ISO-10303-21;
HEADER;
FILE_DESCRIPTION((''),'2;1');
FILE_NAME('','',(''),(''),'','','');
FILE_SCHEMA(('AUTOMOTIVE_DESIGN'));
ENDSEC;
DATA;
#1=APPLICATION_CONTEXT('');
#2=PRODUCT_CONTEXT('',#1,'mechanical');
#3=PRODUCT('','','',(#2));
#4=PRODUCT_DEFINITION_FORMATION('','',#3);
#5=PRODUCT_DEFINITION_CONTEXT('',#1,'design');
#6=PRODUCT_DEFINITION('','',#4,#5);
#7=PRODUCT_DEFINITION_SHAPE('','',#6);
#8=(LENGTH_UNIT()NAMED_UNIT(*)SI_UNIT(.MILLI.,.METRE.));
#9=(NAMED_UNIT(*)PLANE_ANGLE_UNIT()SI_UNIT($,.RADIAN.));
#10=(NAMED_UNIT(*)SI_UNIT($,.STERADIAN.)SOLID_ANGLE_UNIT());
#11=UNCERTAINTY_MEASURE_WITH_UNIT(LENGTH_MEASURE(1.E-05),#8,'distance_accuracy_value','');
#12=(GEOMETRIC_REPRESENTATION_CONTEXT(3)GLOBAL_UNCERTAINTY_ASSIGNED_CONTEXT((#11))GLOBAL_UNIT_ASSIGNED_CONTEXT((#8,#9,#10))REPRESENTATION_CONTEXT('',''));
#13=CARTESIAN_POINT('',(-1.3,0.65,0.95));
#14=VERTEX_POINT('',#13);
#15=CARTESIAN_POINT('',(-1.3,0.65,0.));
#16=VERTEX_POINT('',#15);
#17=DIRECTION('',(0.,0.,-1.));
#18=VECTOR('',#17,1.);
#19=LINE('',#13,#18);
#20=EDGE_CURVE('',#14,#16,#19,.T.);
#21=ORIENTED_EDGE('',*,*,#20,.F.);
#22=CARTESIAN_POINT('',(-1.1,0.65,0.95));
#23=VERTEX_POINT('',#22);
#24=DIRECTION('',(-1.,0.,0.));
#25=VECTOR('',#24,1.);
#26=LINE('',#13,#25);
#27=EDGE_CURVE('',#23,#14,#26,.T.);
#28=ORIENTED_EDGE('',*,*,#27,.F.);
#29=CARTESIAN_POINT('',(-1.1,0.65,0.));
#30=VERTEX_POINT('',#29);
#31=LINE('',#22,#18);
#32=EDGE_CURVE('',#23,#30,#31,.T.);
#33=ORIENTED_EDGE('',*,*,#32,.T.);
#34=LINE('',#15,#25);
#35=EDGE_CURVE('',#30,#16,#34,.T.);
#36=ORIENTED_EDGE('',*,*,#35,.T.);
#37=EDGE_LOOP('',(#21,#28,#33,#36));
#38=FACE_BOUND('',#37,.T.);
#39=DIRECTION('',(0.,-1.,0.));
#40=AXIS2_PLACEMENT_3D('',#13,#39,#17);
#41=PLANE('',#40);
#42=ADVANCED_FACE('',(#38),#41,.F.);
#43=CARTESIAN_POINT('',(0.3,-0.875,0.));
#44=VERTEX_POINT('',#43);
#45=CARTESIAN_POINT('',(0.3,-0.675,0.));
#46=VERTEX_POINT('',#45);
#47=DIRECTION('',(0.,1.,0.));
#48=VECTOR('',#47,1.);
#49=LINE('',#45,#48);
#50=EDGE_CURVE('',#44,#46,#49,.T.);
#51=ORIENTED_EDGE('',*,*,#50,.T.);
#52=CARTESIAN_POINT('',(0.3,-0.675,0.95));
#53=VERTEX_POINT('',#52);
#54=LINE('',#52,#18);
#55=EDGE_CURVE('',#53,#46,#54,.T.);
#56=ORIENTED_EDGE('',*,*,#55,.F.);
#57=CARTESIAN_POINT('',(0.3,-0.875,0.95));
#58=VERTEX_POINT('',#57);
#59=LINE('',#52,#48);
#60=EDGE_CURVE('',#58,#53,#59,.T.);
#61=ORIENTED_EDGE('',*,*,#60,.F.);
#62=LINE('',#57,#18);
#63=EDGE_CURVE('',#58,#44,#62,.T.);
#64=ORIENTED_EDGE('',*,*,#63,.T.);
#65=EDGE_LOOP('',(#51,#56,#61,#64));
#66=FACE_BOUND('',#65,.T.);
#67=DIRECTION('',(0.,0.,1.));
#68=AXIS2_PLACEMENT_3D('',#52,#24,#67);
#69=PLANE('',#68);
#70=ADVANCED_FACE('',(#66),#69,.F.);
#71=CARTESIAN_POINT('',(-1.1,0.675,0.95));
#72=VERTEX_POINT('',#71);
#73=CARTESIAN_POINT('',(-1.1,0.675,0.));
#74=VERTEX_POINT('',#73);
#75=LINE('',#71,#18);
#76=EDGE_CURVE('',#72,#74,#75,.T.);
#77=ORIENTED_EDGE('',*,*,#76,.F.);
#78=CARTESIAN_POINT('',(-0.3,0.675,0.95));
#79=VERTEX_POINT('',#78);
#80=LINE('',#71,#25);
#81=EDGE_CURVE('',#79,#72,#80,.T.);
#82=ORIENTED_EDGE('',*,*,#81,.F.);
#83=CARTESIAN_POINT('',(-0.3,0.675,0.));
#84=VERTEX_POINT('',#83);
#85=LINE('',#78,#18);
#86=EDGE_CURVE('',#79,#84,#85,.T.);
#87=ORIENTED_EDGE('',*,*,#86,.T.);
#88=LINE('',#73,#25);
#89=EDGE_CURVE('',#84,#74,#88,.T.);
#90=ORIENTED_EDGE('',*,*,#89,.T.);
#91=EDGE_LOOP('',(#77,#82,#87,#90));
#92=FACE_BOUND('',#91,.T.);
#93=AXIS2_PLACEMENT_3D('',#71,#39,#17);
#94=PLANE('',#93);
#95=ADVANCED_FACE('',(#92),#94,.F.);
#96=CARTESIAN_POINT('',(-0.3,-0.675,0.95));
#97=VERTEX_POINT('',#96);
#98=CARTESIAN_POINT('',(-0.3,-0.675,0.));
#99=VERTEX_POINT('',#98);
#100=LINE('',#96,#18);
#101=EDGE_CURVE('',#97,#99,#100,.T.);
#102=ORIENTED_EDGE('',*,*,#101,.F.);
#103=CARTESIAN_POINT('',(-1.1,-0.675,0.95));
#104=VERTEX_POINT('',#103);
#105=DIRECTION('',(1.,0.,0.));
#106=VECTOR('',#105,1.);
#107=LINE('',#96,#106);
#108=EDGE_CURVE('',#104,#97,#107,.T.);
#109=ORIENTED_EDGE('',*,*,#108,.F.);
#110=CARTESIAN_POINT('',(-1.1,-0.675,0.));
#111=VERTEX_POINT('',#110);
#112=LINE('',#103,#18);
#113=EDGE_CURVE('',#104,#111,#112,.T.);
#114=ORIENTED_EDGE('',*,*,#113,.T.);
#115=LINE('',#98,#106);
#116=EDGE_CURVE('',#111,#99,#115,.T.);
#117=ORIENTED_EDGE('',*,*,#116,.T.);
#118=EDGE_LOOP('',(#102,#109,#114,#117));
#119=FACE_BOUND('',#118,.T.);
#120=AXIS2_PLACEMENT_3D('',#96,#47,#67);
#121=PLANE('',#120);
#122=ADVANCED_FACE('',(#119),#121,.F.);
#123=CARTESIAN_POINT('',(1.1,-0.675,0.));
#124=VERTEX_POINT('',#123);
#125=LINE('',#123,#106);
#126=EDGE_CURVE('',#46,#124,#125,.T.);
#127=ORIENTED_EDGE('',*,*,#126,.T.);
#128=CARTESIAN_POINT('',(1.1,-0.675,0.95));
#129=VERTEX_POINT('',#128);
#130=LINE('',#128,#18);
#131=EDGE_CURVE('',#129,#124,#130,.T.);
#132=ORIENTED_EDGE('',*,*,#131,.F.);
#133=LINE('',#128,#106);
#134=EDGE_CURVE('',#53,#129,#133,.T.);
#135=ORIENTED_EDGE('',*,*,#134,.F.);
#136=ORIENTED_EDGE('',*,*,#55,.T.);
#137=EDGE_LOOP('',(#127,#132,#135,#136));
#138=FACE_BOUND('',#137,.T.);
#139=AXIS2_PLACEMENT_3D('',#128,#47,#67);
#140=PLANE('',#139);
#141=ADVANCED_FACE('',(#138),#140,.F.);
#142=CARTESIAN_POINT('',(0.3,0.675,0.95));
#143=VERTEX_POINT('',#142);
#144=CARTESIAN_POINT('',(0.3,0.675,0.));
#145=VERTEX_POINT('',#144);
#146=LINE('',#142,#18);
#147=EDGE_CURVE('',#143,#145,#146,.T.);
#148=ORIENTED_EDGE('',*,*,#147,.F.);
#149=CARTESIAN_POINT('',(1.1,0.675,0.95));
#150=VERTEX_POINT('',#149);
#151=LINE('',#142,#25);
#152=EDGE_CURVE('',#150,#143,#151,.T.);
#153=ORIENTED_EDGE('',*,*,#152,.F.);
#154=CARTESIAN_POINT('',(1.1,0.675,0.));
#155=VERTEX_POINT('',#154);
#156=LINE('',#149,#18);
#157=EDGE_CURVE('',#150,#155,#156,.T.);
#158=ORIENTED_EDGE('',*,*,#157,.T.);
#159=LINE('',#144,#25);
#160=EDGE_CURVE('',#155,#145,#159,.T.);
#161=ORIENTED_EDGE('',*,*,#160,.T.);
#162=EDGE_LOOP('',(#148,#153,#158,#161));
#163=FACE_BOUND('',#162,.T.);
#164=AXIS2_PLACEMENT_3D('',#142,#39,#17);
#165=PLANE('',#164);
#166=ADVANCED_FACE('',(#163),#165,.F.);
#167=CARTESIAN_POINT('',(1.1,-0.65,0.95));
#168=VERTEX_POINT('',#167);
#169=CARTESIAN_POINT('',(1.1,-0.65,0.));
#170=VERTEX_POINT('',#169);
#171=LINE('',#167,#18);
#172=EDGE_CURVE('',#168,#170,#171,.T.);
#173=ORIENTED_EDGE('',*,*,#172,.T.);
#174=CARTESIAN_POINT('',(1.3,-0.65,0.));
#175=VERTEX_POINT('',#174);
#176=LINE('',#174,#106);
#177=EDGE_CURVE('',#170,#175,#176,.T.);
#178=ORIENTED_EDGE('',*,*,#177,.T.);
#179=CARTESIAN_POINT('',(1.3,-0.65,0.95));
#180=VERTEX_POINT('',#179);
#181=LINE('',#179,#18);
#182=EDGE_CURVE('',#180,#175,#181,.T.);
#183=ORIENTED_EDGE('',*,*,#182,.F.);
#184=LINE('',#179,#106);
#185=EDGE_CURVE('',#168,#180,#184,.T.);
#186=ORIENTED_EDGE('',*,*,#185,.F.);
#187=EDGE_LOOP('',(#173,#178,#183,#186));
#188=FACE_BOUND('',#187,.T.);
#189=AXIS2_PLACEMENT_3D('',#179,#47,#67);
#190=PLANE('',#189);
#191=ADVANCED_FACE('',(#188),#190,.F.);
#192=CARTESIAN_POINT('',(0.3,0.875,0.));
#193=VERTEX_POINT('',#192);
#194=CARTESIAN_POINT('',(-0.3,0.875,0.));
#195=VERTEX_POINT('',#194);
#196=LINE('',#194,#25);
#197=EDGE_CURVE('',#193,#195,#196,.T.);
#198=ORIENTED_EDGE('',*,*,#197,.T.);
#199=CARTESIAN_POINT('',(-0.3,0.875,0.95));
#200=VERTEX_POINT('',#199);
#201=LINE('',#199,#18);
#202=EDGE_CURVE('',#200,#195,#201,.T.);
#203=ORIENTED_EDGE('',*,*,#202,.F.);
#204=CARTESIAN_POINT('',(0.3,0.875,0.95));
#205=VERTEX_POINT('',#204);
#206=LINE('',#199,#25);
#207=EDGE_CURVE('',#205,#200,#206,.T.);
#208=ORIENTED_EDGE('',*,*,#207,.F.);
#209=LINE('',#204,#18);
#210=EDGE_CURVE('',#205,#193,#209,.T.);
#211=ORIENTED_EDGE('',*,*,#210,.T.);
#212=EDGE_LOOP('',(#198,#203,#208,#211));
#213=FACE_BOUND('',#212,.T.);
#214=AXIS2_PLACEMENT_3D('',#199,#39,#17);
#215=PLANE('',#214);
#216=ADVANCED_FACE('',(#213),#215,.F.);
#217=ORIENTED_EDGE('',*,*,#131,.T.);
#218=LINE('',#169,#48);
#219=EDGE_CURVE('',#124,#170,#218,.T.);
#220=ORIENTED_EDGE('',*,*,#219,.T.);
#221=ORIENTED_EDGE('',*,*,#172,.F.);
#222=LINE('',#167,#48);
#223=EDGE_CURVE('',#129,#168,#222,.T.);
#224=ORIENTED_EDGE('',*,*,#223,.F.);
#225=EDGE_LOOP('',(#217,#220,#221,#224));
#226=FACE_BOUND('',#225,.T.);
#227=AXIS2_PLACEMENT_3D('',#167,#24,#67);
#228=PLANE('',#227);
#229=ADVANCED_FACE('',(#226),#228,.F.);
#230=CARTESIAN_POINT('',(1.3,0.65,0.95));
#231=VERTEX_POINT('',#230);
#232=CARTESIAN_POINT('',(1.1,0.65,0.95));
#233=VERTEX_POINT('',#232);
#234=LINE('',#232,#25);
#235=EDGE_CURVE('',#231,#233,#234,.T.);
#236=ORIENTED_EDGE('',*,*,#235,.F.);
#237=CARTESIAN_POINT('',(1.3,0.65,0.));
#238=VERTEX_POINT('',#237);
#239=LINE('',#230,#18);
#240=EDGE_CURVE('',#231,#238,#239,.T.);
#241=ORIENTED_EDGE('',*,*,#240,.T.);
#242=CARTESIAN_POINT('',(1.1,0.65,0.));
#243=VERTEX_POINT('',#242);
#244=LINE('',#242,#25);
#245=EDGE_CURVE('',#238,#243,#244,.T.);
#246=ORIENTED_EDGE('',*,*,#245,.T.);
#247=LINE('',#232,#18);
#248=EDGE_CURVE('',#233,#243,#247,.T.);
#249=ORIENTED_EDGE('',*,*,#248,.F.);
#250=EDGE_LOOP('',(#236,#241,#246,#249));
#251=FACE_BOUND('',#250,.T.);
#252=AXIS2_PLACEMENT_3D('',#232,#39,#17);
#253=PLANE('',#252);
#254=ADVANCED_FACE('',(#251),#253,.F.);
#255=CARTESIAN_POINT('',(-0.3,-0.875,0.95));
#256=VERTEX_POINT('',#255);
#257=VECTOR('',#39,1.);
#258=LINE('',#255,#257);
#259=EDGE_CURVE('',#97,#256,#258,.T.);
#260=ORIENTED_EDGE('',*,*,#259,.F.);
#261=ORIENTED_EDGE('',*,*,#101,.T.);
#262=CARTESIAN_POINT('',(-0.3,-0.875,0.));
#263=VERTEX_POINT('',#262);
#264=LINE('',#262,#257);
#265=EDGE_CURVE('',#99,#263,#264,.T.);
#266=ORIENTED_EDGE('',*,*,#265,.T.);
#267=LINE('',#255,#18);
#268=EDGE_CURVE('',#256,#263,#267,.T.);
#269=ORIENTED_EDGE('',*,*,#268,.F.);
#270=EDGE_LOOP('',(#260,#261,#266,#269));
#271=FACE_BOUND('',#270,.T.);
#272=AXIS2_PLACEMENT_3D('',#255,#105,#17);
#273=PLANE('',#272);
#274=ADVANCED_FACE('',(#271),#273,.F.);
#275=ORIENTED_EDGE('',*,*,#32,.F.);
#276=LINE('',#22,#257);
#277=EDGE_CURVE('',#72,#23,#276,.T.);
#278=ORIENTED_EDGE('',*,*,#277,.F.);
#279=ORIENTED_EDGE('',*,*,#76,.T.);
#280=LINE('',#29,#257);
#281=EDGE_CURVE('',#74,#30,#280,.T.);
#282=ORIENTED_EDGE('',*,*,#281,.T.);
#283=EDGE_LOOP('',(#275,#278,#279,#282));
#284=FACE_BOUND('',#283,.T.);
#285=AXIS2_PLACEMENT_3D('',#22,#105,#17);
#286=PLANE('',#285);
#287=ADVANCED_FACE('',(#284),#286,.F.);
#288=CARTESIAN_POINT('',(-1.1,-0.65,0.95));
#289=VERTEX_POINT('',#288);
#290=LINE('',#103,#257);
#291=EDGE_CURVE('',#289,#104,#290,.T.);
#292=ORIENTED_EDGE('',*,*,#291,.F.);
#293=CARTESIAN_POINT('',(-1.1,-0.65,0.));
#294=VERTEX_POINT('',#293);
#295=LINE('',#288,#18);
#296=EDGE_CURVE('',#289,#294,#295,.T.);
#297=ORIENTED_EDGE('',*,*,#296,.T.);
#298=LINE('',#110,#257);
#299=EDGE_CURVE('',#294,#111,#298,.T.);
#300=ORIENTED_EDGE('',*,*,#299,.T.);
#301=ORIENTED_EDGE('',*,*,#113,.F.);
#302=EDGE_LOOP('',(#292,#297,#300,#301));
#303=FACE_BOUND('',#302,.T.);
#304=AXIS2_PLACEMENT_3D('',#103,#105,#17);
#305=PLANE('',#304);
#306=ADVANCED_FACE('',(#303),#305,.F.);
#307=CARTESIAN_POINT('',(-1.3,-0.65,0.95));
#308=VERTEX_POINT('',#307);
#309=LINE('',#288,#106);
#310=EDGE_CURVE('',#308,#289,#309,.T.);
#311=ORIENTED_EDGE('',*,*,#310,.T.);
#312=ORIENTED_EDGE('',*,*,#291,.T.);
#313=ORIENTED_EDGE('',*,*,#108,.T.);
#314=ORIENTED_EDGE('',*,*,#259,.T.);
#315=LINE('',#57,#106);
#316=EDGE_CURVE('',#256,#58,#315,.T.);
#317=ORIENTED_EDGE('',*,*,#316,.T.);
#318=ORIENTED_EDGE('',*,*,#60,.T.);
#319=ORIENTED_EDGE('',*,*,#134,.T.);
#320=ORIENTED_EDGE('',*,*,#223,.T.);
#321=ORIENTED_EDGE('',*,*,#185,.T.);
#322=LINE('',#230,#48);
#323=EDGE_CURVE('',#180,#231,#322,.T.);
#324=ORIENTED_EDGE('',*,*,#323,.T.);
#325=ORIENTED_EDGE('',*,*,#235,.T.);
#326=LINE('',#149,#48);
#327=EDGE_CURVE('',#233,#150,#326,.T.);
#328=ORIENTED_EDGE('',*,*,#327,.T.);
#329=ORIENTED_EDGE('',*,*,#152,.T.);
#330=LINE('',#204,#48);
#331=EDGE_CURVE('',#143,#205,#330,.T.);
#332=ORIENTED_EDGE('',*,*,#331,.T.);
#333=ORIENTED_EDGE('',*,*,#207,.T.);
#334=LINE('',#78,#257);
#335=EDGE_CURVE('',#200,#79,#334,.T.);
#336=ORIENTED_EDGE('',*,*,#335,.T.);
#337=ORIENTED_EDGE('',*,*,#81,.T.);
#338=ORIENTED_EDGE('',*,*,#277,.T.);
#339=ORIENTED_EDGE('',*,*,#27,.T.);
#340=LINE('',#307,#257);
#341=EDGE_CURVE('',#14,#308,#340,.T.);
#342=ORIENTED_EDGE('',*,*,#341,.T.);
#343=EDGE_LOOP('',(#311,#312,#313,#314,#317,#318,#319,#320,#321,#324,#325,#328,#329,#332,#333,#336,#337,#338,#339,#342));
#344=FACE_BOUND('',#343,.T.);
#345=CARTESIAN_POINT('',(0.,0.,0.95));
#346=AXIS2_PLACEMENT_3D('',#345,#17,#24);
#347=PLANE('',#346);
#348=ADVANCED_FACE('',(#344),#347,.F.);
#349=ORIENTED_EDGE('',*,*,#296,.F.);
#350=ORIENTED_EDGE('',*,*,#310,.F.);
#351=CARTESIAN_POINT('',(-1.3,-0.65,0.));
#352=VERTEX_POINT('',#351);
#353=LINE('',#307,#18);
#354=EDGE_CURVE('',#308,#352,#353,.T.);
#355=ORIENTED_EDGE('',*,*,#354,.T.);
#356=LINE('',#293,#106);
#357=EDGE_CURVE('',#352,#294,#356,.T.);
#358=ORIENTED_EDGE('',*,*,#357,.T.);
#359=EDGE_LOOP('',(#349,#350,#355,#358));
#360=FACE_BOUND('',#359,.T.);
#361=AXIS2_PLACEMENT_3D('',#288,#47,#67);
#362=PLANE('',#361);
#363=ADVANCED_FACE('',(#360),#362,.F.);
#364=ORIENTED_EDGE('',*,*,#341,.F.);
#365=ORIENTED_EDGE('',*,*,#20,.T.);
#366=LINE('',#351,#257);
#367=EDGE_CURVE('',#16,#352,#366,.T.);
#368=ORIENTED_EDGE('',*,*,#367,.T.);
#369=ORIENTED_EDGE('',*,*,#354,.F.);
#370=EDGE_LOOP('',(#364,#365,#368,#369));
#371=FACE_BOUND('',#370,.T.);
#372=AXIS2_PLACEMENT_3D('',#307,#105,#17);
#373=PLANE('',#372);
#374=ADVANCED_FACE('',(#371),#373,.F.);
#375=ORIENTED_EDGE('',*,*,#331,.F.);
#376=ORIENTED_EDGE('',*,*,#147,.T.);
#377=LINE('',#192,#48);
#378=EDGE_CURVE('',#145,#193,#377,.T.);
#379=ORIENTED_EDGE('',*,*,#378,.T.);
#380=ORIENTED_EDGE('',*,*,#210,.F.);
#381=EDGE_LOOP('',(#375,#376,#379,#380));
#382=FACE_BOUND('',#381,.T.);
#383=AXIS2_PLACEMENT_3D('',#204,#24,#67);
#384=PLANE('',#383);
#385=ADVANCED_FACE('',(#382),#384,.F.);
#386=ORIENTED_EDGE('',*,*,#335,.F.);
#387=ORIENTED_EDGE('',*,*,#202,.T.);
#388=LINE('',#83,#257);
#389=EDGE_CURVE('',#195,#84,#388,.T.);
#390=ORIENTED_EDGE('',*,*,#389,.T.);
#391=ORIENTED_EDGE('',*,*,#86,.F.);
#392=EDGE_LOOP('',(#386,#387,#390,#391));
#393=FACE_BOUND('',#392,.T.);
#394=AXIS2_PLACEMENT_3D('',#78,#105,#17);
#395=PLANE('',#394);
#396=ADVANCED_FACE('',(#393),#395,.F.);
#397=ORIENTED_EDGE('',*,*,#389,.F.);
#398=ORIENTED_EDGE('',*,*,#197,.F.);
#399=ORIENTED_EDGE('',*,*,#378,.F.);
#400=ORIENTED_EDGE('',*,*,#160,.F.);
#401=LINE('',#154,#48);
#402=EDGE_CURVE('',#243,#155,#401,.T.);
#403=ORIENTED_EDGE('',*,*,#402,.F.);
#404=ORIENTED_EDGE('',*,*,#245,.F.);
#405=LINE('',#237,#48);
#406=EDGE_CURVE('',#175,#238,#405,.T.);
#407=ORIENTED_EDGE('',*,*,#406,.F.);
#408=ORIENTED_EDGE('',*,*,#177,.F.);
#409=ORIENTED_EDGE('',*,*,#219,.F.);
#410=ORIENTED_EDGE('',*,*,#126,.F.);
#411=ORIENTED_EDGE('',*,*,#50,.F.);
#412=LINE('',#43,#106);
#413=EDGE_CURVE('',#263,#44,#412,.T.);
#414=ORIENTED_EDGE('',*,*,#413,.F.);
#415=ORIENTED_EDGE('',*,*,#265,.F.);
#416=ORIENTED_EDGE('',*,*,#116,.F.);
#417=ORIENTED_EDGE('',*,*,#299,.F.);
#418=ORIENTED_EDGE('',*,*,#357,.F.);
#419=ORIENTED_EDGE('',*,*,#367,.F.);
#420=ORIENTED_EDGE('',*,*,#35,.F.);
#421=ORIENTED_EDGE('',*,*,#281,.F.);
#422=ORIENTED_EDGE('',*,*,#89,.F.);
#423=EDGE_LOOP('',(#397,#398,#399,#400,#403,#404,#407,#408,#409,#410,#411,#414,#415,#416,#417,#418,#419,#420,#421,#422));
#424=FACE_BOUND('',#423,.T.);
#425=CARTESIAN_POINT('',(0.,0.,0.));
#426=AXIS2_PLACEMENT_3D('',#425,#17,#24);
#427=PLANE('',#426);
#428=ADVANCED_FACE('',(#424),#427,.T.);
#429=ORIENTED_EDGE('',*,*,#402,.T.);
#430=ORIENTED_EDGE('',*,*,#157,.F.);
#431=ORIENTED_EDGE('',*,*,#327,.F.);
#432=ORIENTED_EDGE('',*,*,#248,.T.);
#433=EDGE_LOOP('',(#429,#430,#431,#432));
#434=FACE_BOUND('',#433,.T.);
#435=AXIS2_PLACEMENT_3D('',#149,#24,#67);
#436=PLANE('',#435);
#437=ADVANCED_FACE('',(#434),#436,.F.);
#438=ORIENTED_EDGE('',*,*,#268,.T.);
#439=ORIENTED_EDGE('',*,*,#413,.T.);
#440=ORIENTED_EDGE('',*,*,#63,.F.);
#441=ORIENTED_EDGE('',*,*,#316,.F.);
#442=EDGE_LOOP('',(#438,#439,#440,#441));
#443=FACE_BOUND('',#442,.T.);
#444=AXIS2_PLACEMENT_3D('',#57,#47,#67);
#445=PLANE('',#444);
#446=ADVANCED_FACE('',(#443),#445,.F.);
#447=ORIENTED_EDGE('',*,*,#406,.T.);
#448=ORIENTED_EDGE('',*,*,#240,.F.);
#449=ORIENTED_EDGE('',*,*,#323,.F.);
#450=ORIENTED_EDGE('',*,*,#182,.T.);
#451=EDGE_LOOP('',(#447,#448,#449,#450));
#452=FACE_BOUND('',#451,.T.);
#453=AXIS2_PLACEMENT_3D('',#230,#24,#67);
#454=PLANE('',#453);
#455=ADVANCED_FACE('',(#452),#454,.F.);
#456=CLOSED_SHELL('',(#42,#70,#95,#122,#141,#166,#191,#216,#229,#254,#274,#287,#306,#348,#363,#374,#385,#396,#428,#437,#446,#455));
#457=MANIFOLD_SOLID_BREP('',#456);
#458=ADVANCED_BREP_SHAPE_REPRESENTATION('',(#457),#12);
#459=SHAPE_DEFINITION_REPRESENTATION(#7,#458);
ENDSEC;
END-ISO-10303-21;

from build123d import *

# Parameters (mm, degrees)
COMPONENT_OUTLINE_DEPTH = 0.95


with BuildPart() as part:
    # 草图1 → Component_Outline (new body)
    with BuildSketch(Plane.XY):
        Polygon((-0.3, -0.875), (-0.3, -0.675), (-1.1, -0.675), (-1.1, -0.65), (-1.3, -0.65), (-1.3, 0.65), (-1.1, 0.65), (-1.1, 0.675), (-0.3, 0.675), (-0.3, 0.875), (0.3, 0.875), (0.3, 0.675), (1.1, 0.675), (1.1, 0.65), (1.3, 0.65), (1.3, -0.65), (1.1, -0.65), (1.1, -0.675), (0.3, -0.675), (0.3, -0.875), align=None)
    extrude(amount=COMPONENT_OUTLINE_DEPTH)


solid = part.part
